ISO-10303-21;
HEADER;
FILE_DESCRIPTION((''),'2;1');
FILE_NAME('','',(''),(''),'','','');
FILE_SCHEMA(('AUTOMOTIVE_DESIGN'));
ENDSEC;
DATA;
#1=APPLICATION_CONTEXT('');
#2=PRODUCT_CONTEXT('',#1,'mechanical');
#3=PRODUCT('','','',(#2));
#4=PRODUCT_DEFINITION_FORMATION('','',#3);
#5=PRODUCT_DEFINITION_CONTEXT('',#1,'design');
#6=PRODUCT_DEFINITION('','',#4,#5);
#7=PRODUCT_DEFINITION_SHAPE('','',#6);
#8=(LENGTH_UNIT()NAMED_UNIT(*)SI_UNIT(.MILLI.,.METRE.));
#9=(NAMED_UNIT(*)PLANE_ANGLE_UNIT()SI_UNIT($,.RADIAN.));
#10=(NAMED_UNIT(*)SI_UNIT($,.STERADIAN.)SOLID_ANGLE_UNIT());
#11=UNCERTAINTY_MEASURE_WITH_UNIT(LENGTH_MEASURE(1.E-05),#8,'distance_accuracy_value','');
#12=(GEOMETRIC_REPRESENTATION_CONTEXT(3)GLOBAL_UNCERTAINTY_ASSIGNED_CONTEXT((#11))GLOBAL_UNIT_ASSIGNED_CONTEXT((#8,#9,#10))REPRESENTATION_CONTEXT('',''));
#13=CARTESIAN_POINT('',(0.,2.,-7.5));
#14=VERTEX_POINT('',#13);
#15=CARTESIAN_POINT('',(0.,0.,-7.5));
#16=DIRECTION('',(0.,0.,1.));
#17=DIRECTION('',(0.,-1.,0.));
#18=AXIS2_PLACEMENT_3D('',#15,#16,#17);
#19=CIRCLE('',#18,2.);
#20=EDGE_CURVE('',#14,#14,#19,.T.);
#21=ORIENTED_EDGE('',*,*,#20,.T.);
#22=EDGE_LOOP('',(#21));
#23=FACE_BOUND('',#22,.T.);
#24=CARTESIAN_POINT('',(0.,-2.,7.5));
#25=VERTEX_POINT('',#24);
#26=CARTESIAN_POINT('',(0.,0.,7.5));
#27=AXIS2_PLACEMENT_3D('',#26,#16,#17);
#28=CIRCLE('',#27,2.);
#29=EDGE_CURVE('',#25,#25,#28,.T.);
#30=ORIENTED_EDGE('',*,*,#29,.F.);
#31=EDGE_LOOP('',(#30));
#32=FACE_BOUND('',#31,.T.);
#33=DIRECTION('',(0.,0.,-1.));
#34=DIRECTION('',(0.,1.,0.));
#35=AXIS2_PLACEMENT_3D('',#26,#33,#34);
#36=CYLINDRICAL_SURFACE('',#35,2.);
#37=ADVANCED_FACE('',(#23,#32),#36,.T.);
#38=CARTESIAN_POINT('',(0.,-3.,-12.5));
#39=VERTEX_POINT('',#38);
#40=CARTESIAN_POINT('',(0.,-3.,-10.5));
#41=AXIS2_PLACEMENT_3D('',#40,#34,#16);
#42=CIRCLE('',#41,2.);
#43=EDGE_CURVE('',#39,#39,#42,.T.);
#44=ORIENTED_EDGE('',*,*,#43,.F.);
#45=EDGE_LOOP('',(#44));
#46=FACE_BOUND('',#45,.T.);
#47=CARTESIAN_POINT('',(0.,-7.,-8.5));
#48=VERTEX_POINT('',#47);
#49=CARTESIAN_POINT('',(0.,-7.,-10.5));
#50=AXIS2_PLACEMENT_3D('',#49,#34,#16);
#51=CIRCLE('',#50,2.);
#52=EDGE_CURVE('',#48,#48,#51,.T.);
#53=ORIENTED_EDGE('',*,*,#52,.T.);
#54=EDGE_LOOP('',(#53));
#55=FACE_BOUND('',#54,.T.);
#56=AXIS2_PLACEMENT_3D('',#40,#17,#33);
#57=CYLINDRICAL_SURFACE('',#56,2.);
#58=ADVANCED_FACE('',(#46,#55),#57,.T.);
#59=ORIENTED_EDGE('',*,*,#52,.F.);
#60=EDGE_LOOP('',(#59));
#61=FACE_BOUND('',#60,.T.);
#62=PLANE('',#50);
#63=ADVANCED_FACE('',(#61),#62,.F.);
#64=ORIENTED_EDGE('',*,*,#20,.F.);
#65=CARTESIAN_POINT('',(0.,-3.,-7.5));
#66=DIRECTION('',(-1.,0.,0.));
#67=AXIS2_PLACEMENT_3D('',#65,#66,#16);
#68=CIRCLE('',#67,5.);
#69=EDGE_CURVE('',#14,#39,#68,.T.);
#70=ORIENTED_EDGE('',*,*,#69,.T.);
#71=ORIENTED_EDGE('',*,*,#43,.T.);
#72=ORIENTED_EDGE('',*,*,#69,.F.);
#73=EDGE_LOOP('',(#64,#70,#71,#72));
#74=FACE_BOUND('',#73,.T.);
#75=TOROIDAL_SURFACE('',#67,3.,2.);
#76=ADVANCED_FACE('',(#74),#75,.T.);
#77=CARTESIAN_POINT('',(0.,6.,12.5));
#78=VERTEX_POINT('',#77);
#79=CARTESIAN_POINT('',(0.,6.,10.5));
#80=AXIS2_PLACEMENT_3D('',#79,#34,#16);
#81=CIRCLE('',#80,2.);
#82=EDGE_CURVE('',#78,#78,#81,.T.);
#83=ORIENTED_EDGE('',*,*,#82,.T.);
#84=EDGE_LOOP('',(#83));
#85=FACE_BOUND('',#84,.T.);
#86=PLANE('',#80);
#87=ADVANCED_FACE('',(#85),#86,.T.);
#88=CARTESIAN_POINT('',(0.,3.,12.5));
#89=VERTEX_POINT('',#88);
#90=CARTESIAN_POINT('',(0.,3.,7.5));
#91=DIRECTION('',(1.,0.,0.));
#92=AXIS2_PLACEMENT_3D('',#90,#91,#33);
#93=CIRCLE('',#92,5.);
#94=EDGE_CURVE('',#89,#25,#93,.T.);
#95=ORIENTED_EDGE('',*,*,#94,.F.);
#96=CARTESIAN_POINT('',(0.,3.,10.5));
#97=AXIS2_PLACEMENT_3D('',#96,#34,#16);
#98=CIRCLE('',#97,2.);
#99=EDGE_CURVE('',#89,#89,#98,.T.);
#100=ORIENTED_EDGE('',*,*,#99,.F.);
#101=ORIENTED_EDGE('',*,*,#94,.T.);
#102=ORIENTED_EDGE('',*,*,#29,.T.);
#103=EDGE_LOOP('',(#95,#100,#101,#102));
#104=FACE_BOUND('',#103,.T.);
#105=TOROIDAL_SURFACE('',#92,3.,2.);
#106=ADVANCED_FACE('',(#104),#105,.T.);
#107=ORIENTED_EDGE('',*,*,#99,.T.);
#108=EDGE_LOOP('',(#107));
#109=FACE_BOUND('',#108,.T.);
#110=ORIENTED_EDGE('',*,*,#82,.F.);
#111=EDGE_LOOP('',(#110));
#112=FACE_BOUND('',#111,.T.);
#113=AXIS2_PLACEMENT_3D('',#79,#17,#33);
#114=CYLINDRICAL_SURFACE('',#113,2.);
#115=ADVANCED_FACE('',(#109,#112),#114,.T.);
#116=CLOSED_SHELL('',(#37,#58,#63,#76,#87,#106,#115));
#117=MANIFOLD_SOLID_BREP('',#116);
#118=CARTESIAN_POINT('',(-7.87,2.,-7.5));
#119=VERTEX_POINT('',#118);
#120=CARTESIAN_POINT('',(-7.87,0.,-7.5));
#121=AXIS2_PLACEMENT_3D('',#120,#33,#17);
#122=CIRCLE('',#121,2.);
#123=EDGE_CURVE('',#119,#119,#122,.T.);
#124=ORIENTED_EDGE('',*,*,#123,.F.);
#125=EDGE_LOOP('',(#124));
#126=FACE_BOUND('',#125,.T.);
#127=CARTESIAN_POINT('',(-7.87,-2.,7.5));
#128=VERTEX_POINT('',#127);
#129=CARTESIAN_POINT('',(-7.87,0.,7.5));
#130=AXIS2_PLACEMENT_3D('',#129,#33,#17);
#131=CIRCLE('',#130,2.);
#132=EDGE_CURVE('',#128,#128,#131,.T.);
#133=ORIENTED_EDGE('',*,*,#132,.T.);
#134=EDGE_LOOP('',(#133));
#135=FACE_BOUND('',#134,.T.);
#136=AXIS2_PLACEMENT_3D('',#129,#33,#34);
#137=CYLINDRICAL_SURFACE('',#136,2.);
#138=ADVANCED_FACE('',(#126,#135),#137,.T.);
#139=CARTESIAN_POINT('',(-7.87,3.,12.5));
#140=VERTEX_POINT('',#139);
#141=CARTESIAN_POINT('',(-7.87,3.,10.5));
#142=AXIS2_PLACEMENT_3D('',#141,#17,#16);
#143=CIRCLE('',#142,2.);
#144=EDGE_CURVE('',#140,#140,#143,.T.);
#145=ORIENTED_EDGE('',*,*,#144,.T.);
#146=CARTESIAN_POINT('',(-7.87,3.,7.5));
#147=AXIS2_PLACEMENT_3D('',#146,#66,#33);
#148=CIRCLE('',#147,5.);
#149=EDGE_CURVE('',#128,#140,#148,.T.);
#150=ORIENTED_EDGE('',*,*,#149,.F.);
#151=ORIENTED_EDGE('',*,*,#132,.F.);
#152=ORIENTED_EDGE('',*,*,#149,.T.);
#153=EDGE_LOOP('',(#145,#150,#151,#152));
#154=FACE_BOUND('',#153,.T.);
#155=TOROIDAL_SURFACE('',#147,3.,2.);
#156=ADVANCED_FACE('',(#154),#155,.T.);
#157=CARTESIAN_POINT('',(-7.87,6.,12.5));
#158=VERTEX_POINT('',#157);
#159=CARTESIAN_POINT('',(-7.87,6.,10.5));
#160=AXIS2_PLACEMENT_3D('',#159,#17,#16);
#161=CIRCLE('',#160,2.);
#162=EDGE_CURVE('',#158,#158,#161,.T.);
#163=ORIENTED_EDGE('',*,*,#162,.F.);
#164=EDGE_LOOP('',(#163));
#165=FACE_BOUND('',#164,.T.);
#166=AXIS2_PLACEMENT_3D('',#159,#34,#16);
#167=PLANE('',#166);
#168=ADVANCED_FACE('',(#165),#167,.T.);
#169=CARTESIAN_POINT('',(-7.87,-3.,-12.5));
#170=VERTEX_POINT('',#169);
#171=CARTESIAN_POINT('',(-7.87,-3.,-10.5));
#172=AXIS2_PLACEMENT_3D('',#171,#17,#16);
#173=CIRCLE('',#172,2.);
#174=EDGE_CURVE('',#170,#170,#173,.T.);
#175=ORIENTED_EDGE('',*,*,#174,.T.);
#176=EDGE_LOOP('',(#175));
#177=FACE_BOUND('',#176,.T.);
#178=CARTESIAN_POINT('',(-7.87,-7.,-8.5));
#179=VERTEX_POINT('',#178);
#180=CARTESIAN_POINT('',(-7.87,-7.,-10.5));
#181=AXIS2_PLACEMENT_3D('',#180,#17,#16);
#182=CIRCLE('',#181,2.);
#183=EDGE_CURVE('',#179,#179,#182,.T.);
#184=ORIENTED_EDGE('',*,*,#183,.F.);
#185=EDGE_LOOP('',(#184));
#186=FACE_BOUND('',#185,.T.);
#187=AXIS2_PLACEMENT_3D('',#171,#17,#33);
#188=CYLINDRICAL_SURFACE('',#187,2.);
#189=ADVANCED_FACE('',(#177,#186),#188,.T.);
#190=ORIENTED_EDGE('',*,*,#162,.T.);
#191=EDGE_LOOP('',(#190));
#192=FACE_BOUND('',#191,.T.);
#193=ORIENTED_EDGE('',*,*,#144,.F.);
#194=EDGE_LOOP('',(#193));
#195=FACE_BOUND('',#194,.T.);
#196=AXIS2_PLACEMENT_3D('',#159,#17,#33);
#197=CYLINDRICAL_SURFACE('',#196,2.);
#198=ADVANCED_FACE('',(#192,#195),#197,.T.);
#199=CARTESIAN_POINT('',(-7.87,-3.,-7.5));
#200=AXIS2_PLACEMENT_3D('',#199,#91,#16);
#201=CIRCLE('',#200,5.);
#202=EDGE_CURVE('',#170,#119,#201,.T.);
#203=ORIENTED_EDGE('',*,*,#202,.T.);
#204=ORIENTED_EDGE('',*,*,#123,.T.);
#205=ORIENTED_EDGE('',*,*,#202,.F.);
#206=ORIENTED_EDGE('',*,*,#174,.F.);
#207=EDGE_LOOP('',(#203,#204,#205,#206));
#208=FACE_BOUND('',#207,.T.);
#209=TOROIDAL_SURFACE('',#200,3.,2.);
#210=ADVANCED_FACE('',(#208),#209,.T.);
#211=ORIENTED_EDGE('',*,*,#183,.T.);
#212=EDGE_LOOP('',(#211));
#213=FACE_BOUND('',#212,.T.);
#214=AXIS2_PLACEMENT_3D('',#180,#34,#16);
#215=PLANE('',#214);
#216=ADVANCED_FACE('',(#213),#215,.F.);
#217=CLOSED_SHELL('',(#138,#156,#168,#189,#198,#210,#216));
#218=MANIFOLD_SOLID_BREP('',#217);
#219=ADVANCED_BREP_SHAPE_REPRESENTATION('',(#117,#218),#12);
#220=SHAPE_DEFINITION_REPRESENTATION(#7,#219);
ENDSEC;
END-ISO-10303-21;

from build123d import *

# Parameters (mm, degrees)
SKETCH2_R = 2


with BuildPart() as part:
    # Sweep1: sweep along a path in Sketch1
    with BuildLine(Plane(origin=(0, 0, 0), x_dir=(0, 0, -1), z_dir=(1, 0, 0))) as sweep1_path:
        Line((-10.5, 6), (-10.5, 3))
        ThreePointArc((-10.5, 3), (-9.621320344, 0.878679656), (-7.5, 0))
        Line((-7.5, 0), (7.5, 0))
        ThreePointArc((7.5, 0), (9.621320344, -0.878679656), (10.5, -3))
        Line((10.5, -3), (10.5, -7))
    # Sketch2 → Sweep1 (sweep)
    with BuildSketch(Plane(origin=(0, 6, 0), x_dir=(1, 0, 0), z_dir=(0, 1, 0))):
        with Locations((0, -10.5)):
            Circle(SKETCH2_R)
    sweep(path=sweep1_path.line)


with BuildPart() as body_2:
    # Mirror2: mirrored copy
    add(part.part.mirror(Plane(origin=(-3.935, 0, 0), x_dir=(0, 0, 1), z_dir=(1, 0, 0))))


solid = Compound([part.part, body_2.part])
